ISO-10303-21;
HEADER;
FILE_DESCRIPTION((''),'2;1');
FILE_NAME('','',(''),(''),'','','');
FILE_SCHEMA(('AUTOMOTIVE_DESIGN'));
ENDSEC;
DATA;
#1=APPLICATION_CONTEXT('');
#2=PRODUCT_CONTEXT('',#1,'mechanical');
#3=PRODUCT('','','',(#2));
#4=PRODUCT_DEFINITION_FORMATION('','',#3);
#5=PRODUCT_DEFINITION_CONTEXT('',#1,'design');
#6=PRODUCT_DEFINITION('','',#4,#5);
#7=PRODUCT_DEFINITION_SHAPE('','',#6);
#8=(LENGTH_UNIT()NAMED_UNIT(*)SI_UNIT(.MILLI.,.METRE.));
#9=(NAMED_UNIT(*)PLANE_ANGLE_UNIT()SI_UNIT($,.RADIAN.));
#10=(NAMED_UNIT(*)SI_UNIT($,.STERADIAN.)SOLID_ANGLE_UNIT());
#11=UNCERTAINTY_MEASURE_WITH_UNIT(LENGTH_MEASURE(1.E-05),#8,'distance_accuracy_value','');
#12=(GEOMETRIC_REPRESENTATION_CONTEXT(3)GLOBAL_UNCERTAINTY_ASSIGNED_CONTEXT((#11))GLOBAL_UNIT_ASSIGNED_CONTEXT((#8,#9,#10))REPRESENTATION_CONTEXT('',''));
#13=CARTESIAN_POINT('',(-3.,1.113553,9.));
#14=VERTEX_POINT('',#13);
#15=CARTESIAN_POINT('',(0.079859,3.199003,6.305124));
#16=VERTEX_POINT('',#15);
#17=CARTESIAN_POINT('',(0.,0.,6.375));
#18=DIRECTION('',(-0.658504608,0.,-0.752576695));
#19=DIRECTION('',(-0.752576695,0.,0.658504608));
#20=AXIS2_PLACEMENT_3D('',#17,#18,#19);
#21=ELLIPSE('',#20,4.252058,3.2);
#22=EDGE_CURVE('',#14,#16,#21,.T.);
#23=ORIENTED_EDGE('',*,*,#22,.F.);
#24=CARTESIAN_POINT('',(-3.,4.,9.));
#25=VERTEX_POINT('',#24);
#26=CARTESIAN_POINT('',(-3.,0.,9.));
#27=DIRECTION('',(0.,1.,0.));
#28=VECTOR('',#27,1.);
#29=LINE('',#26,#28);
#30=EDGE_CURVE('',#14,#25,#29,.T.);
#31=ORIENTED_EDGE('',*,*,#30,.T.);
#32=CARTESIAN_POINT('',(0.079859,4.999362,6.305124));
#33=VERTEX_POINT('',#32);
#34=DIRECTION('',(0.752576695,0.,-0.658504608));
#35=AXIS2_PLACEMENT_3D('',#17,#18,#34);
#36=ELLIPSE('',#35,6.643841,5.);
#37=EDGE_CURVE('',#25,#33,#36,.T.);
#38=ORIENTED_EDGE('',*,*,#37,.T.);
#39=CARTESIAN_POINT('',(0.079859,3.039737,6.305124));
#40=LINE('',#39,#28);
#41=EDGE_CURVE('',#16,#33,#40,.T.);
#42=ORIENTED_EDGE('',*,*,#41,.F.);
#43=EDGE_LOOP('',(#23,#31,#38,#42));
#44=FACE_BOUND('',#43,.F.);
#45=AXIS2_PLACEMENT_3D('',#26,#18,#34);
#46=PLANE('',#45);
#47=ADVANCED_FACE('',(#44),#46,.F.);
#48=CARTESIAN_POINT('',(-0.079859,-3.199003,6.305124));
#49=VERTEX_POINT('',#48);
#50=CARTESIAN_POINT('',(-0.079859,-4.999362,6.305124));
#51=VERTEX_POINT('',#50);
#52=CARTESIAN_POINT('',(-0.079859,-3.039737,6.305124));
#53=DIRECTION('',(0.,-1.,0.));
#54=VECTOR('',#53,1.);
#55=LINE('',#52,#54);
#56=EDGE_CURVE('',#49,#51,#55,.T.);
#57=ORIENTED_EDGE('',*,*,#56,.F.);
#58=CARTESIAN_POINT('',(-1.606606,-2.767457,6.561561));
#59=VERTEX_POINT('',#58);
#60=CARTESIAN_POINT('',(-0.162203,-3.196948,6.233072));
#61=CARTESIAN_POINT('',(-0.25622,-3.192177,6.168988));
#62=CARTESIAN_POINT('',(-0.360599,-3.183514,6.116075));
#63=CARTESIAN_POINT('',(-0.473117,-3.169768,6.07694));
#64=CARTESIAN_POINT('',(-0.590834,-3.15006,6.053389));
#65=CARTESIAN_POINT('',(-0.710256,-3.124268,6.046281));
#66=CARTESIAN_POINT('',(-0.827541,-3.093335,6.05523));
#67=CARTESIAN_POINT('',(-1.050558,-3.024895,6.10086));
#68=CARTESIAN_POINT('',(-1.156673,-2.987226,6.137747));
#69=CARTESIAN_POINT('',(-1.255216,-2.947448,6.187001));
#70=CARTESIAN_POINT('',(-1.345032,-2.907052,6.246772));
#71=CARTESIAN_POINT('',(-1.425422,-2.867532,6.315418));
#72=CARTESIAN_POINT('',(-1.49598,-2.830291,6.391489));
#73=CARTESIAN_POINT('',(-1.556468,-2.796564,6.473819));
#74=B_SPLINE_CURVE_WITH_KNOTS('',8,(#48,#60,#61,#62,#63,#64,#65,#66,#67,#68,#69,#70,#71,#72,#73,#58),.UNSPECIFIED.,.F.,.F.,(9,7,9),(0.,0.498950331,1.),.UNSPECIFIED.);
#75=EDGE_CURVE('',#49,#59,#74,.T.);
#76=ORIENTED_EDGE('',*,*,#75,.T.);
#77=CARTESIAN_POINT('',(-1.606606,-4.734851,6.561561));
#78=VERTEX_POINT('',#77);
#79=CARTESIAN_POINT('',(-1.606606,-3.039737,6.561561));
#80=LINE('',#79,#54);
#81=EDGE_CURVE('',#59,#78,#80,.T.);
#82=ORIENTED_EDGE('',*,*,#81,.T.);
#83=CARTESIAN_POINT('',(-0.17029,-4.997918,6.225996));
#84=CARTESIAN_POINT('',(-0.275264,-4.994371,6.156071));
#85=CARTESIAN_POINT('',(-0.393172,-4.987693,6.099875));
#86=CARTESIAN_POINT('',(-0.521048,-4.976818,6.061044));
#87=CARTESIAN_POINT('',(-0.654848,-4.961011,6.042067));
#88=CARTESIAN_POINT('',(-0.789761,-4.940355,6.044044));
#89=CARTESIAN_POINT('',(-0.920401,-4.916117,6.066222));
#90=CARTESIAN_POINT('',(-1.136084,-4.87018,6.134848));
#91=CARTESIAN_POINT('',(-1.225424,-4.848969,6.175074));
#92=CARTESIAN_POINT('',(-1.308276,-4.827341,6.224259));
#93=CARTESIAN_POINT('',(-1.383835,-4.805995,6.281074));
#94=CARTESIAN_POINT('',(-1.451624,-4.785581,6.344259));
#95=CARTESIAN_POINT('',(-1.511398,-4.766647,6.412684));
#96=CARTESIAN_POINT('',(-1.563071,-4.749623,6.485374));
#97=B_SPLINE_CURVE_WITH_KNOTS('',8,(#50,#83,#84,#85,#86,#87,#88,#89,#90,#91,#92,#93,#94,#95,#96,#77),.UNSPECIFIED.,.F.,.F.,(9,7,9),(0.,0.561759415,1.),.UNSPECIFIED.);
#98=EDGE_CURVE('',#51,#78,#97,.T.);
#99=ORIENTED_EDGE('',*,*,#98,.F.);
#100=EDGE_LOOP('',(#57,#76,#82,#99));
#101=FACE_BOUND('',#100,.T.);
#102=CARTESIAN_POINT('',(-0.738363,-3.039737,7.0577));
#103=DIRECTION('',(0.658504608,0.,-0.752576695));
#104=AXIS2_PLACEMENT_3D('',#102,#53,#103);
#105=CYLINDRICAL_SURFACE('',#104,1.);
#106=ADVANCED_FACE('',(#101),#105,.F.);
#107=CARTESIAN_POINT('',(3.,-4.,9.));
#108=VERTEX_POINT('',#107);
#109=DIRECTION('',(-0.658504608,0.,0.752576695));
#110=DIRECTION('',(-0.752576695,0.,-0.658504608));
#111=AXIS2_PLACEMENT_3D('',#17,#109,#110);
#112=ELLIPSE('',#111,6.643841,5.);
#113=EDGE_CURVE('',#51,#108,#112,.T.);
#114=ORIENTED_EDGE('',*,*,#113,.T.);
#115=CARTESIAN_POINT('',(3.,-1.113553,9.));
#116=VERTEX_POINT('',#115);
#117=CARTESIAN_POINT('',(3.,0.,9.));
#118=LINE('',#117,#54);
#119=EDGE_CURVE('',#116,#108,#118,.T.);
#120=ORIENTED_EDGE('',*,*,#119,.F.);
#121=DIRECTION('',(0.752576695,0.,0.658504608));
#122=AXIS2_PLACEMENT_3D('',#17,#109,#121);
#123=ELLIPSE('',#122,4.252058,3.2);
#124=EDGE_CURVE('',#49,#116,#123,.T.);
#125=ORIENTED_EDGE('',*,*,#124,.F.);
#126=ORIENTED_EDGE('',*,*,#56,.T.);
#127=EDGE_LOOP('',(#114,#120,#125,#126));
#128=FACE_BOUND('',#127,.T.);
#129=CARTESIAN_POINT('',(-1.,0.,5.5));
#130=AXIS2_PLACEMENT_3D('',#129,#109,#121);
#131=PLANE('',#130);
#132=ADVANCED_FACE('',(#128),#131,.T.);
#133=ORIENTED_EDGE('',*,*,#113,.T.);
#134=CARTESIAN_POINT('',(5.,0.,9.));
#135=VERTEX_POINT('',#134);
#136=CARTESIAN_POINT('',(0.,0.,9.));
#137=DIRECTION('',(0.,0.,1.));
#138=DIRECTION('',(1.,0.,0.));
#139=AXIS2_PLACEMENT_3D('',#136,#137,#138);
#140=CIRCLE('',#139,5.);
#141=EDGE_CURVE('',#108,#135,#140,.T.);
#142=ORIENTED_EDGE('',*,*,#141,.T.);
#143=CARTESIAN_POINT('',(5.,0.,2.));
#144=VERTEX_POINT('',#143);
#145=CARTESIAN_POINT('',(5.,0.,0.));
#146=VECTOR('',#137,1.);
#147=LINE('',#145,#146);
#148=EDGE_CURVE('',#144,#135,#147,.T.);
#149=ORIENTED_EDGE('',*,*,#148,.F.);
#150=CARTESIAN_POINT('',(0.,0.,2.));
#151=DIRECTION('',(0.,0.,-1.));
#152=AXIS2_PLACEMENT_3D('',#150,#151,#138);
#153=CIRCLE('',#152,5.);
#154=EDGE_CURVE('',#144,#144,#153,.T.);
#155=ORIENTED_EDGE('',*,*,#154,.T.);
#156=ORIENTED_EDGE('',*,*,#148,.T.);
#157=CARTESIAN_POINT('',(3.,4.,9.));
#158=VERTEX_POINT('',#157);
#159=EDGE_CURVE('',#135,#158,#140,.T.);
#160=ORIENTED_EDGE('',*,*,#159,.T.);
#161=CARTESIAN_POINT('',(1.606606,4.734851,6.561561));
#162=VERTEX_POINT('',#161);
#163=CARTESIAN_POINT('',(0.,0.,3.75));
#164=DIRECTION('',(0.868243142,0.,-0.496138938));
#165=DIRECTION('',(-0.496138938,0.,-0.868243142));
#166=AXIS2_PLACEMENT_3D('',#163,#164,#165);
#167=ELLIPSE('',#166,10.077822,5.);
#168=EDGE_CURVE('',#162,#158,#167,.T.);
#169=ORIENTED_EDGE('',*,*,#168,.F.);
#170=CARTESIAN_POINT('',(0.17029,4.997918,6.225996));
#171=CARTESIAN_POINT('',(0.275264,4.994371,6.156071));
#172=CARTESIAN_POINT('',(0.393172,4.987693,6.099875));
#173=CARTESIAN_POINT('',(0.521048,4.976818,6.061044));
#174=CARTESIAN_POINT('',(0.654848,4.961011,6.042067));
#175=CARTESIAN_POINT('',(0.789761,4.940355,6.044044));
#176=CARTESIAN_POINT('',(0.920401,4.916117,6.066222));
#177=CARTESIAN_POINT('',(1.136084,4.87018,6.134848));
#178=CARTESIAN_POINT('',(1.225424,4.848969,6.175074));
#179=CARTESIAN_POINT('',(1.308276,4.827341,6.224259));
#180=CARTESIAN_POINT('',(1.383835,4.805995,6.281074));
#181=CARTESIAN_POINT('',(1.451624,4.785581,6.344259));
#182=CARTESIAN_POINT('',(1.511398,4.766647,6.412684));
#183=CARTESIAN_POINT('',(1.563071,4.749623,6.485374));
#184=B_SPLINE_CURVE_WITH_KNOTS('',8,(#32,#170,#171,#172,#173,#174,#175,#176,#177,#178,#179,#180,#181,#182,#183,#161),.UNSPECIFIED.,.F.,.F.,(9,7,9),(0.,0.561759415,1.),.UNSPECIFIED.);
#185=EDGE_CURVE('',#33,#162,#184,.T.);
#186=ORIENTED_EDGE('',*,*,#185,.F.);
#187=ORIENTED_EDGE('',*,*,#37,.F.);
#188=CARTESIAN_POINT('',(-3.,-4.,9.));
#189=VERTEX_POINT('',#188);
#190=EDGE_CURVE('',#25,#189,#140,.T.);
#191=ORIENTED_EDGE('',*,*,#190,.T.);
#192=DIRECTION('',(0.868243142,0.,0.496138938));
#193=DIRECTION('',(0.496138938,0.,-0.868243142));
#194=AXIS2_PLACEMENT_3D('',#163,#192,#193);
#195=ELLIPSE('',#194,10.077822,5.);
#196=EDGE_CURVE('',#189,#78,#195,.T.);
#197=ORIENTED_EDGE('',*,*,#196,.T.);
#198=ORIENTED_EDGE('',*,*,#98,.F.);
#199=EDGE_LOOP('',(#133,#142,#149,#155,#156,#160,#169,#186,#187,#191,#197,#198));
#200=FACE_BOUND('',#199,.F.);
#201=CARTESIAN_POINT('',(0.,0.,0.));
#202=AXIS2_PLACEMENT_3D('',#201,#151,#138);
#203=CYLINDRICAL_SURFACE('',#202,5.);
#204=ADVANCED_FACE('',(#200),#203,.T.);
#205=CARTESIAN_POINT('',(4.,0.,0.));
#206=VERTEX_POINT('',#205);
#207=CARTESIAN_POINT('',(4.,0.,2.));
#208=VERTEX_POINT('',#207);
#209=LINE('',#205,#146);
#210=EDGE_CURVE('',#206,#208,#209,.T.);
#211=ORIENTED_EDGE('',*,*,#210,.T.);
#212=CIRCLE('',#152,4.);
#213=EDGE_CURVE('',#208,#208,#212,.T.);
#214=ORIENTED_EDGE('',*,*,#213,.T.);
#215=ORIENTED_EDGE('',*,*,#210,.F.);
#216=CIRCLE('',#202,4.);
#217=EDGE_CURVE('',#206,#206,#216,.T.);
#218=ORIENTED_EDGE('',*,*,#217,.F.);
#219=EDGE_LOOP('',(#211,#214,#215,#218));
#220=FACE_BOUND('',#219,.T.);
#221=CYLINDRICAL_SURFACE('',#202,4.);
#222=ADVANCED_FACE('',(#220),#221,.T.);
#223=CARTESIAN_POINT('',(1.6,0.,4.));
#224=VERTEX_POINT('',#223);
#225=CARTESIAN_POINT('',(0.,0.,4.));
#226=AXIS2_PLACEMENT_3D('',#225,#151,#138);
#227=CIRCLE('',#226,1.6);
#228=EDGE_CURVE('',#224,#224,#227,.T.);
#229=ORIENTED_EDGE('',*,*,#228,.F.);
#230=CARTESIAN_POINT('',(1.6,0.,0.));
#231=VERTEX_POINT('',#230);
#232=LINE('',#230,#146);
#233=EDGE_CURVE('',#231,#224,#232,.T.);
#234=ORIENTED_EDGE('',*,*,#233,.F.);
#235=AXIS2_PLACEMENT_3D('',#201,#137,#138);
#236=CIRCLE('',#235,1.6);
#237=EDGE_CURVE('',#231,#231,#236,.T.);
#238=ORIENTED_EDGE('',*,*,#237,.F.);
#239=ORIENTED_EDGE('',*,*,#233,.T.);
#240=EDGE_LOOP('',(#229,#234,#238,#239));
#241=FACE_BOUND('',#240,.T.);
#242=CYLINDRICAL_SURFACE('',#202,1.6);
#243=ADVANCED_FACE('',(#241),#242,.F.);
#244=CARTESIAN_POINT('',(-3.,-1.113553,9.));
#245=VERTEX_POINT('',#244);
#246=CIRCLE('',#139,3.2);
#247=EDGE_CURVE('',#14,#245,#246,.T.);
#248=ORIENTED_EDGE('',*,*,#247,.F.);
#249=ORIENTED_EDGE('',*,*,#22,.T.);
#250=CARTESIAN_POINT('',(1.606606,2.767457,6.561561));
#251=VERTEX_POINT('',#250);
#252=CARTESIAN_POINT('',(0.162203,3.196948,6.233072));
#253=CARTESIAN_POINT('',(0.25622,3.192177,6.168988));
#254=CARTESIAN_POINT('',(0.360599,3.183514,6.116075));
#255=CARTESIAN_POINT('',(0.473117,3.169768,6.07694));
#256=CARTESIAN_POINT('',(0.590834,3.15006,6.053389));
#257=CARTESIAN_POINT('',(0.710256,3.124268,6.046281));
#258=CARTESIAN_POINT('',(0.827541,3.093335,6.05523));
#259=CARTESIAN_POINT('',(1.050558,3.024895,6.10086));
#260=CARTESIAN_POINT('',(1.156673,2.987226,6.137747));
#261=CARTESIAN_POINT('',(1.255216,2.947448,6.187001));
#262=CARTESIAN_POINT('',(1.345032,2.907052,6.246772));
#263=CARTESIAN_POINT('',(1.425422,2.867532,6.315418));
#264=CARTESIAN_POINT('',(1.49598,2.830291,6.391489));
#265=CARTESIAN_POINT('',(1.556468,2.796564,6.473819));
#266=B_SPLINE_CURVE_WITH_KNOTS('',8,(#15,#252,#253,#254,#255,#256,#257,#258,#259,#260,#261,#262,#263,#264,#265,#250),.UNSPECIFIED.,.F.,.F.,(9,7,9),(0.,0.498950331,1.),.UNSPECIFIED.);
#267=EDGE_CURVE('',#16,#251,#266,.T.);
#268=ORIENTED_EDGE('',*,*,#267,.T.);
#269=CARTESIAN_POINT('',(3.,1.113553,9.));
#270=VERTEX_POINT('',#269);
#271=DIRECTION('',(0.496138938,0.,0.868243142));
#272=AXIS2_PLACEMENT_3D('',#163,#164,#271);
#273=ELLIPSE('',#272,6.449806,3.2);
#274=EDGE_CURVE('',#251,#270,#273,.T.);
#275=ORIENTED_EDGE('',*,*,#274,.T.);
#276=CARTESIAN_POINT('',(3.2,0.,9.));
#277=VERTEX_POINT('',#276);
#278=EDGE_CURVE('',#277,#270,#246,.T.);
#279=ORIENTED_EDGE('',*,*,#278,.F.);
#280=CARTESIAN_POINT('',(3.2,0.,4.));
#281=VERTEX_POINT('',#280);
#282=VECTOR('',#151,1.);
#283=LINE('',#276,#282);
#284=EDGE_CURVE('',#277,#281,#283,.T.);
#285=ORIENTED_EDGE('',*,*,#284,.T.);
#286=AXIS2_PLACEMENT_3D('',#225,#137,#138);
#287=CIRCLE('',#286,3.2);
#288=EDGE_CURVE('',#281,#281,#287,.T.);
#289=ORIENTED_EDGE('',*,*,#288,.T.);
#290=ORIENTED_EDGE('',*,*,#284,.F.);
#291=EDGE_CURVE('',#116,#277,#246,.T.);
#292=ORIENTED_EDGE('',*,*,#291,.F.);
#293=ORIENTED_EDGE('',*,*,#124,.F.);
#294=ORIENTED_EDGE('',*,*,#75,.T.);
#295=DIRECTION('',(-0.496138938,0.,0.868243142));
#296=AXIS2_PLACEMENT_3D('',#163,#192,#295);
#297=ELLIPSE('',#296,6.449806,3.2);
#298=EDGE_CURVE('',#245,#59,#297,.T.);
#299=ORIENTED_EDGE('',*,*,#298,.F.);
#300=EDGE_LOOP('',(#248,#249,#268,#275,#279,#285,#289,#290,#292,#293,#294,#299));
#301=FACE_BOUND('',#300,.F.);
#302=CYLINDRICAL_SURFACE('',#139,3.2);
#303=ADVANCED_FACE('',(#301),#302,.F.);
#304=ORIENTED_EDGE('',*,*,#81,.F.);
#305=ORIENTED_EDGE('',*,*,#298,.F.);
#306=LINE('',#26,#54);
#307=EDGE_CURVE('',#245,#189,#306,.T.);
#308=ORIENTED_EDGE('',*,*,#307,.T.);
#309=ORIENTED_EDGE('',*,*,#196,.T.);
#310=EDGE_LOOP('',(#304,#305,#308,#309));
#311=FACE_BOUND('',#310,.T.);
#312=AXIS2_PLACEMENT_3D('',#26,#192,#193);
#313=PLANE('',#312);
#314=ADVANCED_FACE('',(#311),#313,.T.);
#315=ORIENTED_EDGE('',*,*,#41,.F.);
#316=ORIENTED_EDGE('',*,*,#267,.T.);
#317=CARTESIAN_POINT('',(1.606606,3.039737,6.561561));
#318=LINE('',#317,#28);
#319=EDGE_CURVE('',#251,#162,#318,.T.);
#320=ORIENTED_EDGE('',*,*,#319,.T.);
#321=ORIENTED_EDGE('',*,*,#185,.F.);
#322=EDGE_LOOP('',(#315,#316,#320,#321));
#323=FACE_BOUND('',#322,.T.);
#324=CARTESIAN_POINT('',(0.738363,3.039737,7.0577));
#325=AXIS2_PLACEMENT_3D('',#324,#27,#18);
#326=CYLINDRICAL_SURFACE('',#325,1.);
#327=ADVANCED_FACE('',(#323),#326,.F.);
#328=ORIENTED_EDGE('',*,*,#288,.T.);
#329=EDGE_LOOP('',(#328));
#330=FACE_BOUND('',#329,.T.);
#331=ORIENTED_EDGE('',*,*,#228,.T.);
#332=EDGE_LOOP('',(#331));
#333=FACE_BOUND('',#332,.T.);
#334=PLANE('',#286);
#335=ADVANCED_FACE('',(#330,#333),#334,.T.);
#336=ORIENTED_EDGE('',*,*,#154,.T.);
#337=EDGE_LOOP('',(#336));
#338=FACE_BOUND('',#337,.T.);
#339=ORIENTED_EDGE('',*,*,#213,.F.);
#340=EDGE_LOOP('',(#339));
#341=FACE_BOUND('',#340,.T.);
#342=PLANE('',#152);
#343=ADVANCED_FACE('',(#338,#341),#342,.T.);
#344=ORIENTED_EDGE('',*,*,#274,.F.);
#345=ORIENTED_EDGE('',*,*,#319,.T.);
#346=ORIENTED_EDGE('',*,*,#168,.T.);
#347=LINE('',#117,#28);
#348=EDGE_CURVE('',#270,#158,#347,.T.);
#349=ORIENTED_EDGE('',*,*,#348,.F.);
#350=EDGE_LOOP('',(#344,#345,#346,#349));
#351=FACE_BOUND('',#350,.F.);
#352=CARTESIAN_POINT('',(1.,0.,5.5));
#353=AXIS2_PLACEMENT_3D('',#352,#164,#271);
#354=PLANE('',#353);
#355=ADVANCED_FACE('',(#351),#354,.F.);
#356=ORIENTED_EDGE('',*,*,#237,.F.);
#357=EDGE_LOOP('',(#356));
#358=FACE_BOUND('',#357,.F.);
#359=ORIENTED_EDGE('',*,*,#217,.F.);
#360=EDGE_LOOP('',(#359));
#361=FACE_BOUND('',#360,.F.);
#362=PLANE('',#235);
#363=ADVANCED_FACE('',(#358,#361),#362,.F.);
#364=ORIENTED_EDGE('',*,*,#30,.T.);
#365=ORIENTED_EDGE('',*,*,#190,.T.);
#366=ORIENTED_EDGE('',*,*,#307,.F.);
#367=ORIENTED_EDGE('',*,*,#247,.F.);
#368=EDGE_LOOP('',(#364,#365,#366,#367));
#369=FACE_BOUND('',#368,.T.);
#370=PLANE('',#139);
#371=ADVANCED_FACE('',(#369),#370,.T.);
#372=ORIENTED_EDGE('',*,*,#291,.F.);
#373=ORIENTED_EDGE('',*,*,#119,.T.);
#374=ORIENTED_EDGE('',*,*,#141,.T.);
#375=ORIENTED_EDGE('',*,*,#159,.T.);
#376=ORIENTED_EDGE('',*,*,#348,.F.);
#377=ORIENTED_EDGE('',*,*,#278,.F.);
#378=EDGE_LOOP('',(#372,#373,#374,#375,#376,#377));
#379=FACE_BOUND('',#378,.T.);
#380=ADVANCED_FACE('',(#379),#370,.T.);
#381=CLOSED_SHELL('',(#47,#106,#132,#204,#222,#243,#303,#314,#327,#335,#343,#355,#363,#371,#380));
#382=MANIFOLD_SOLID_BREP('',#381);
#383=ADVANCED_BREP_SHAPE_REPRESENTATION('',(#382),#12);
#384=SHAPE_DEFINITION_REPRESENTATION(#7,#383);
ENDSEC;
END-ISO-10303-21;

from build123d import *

# Parameters (mm, degrees)
PAD002_DEPTH    = 10
PAD001_DEPTH    = 12
SKETCH_R        = 5
SKETCH_R_2      = 1.6
PAD_DEPTH       = 9
SKETCH001_R     = 3.2
POCKET_DEPTH    = 5
SKETCH002_R     = 5
SKETCH002_R_2   = 4
POCKET001_DEPTH = 2
FILLET_R        = 1


with BuildPart() as pad002:
    # Sketch004 → Pad002 (new body)
    with BuildSketch(Plane.XZ):
        Polygon((-3, 9), (1, 5.5), (3, 9), align=None)
    extrude(amount=-PAD002_DEPTH)


with BuildPart() as pad001:
    # Sketch003 → Pad001 (new body)
    with BuildSketch(Plane.XZ):
        Polygon((-3, 9), (-1, 5.5), (3, 9), align=None)
    extrude(amount=PAD001_DEPTH)


with BuildPart() as fillet_body:
    # Sketch → Pad (new body)
    with BuildSketch(Plane.XY):
        Circle(SKETCH_R)
        Circle(SKETCH_R_2, mode=Mode.SUBTRACT)
    extrude(amount=PAD_DEPTH)

    # Sketch001 → Pocket (cut)
    with BuildSketch(Plane.XY.offset(9)):
        Circle(SKETCH001_R)
    extrude(amount=-POCKET_DEPTH, mode=Mode.SUBTRACT)

    # Sketch002 → Pocket001 (cut)
    with BuildSketch(Plane(origin=(0, 0, 0), x_dir=(1, 0, 0), z_dir=(0, 0, -1))):
        Circle(SKETCH002_R)
        Circle(SKETCH002_R_2, mode=Mode.SUBTRACT)
    extrude(amount=-POCKET001_DEPTH, mode=Mode.SUBTRACT)

    # Cut: cut Pad001
    add(pad001.part, mode=Mode.SUBTRACT)

    # Cut001: cut Pad002
    add(pad002.part, mode=Mode.SUBTRACT)

    # Fillet
    fillet_edges = [fillet_body.edges().sort_by_distance(p)[0] for p in [
        (1, 3.969358, 5.5),
        (-1, -3.969358, 5.5),
    ]]
    fillet(fillet_edges, radius=FILLET_R)


solid = fillet_body.part
